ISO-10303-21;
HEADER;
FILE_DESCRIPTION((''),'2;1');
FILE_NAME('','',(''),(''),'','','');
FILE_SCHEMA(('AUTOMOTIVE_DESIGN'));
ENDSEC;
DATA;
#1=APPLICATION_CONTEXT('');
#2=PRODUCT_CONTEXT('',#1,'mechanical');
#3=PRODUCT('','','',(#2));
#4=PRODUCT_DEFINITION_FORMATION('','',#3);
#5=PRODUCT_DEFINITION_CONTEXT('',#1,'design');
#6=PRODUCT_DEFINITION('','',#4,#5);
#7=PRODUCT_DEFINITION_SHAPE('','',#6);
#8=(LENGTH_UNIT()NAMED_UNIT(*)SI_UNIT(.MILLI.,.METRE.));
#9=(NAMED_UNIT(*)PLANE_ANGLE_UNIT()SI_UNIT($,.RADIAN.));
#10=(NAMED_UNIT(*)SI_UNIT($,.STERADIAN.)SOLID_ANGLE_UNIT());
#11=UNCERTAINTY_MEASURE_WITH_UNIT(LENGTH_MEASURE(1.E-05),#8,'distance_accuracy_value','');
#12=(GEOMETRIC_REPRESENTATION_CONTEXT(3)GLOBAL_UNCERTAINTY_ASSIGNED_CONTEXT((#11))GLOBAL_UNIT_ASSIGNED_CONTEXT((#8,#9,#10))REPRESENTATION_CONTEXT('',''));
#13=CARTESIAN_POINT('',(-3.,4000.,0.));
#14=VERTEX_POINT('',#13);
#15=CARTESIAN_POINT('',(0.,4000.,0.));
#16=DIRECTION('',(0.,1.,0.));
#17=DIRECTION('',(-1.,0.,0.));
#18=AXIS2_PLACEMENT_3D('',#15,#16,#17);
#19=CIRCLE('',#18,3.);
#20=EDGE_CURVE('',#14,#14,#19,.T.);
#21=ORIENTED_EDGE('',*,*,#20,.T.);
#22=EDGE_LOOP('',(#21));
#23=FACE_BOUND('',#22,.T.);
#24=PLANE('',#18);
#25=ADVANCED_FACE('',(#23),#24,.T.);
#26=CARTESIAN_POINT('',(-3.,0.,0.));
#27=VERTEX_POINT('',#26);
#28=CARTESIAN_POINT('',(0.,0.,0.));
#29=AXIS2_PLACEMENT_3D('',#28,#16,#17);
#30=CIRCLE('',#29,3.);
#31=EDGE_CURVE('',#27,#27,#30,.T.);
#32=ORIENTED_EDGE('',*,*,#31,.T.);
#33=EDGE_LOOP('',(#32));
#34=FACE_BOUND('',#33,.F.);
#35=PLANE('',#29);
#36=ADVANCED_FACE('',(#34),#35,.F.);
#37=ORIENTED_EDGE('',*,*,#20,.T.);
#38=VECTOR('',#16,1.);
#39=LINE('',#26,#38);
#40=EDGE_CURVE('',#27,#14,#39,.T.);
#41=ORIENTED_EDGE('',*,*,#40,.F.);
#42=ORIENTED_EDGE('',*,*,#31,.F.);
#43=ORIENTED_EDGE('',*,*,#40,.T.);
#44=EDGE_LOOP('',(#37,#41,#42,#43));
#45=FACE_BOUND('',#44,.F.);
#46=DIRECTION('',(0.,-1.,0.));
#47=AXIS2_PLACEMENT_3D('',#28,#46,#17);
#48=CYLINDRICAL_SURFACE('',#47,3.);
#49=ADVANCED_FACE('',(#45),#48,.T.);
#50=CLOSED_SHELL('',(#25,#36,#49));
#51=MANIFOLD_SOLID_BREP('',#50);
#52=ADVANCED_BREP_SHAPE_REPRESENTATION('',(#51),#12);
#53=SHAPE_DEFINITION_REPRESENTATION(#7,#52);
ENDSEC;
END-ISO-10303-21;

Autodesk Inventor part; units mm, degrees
ref_plane "YZ Plane" through (0, 0, 0) normal (1, 0, 0) x (0, 1, 0)
ref_plane "Start Plane" through (0, 0, 0) normal (0, 1, 0) x (-1, 0, 0)
ref_plane "End Plane" through (0, 100, 0) normal (0, 1, 0) x (-1, 0, 0)
sketch "Sketch1" plane through (0, 0, 0) normal (0, 1, 0) x (-1, 0, 0)
  circle A0 centre (0, 0) radius 3
  dimension "d2" = 6
extrude "Body" add sketch "Sketch1" along normal blind 4000 from surface at 0
sketch "Sketch2" plane through (0, 0, 0) normal (0, 1, 0) x (-1, 0, 0)
  line L0 (0, 0) -> (10, 0)
ref_plane "Work Plane3" through (0, 0, 0) normal (0, 0, -1) x (-1, 0, 0)
sketch "Sketch3" plane through (0, 0, 0) normal (0, 0, -1) x (-1, 0, 0)
  line L0 (-2, 0) -> (12, 0)
  line L1 (-2, 100) -> (12, 100)
  dimension "d11" = 100
equation "\"G_OFFSET_START\" = 0"
equation "\"G_OFFSET_END\" = 0"
equation "\"G_L\" = d11"
properties part number "13-513"
